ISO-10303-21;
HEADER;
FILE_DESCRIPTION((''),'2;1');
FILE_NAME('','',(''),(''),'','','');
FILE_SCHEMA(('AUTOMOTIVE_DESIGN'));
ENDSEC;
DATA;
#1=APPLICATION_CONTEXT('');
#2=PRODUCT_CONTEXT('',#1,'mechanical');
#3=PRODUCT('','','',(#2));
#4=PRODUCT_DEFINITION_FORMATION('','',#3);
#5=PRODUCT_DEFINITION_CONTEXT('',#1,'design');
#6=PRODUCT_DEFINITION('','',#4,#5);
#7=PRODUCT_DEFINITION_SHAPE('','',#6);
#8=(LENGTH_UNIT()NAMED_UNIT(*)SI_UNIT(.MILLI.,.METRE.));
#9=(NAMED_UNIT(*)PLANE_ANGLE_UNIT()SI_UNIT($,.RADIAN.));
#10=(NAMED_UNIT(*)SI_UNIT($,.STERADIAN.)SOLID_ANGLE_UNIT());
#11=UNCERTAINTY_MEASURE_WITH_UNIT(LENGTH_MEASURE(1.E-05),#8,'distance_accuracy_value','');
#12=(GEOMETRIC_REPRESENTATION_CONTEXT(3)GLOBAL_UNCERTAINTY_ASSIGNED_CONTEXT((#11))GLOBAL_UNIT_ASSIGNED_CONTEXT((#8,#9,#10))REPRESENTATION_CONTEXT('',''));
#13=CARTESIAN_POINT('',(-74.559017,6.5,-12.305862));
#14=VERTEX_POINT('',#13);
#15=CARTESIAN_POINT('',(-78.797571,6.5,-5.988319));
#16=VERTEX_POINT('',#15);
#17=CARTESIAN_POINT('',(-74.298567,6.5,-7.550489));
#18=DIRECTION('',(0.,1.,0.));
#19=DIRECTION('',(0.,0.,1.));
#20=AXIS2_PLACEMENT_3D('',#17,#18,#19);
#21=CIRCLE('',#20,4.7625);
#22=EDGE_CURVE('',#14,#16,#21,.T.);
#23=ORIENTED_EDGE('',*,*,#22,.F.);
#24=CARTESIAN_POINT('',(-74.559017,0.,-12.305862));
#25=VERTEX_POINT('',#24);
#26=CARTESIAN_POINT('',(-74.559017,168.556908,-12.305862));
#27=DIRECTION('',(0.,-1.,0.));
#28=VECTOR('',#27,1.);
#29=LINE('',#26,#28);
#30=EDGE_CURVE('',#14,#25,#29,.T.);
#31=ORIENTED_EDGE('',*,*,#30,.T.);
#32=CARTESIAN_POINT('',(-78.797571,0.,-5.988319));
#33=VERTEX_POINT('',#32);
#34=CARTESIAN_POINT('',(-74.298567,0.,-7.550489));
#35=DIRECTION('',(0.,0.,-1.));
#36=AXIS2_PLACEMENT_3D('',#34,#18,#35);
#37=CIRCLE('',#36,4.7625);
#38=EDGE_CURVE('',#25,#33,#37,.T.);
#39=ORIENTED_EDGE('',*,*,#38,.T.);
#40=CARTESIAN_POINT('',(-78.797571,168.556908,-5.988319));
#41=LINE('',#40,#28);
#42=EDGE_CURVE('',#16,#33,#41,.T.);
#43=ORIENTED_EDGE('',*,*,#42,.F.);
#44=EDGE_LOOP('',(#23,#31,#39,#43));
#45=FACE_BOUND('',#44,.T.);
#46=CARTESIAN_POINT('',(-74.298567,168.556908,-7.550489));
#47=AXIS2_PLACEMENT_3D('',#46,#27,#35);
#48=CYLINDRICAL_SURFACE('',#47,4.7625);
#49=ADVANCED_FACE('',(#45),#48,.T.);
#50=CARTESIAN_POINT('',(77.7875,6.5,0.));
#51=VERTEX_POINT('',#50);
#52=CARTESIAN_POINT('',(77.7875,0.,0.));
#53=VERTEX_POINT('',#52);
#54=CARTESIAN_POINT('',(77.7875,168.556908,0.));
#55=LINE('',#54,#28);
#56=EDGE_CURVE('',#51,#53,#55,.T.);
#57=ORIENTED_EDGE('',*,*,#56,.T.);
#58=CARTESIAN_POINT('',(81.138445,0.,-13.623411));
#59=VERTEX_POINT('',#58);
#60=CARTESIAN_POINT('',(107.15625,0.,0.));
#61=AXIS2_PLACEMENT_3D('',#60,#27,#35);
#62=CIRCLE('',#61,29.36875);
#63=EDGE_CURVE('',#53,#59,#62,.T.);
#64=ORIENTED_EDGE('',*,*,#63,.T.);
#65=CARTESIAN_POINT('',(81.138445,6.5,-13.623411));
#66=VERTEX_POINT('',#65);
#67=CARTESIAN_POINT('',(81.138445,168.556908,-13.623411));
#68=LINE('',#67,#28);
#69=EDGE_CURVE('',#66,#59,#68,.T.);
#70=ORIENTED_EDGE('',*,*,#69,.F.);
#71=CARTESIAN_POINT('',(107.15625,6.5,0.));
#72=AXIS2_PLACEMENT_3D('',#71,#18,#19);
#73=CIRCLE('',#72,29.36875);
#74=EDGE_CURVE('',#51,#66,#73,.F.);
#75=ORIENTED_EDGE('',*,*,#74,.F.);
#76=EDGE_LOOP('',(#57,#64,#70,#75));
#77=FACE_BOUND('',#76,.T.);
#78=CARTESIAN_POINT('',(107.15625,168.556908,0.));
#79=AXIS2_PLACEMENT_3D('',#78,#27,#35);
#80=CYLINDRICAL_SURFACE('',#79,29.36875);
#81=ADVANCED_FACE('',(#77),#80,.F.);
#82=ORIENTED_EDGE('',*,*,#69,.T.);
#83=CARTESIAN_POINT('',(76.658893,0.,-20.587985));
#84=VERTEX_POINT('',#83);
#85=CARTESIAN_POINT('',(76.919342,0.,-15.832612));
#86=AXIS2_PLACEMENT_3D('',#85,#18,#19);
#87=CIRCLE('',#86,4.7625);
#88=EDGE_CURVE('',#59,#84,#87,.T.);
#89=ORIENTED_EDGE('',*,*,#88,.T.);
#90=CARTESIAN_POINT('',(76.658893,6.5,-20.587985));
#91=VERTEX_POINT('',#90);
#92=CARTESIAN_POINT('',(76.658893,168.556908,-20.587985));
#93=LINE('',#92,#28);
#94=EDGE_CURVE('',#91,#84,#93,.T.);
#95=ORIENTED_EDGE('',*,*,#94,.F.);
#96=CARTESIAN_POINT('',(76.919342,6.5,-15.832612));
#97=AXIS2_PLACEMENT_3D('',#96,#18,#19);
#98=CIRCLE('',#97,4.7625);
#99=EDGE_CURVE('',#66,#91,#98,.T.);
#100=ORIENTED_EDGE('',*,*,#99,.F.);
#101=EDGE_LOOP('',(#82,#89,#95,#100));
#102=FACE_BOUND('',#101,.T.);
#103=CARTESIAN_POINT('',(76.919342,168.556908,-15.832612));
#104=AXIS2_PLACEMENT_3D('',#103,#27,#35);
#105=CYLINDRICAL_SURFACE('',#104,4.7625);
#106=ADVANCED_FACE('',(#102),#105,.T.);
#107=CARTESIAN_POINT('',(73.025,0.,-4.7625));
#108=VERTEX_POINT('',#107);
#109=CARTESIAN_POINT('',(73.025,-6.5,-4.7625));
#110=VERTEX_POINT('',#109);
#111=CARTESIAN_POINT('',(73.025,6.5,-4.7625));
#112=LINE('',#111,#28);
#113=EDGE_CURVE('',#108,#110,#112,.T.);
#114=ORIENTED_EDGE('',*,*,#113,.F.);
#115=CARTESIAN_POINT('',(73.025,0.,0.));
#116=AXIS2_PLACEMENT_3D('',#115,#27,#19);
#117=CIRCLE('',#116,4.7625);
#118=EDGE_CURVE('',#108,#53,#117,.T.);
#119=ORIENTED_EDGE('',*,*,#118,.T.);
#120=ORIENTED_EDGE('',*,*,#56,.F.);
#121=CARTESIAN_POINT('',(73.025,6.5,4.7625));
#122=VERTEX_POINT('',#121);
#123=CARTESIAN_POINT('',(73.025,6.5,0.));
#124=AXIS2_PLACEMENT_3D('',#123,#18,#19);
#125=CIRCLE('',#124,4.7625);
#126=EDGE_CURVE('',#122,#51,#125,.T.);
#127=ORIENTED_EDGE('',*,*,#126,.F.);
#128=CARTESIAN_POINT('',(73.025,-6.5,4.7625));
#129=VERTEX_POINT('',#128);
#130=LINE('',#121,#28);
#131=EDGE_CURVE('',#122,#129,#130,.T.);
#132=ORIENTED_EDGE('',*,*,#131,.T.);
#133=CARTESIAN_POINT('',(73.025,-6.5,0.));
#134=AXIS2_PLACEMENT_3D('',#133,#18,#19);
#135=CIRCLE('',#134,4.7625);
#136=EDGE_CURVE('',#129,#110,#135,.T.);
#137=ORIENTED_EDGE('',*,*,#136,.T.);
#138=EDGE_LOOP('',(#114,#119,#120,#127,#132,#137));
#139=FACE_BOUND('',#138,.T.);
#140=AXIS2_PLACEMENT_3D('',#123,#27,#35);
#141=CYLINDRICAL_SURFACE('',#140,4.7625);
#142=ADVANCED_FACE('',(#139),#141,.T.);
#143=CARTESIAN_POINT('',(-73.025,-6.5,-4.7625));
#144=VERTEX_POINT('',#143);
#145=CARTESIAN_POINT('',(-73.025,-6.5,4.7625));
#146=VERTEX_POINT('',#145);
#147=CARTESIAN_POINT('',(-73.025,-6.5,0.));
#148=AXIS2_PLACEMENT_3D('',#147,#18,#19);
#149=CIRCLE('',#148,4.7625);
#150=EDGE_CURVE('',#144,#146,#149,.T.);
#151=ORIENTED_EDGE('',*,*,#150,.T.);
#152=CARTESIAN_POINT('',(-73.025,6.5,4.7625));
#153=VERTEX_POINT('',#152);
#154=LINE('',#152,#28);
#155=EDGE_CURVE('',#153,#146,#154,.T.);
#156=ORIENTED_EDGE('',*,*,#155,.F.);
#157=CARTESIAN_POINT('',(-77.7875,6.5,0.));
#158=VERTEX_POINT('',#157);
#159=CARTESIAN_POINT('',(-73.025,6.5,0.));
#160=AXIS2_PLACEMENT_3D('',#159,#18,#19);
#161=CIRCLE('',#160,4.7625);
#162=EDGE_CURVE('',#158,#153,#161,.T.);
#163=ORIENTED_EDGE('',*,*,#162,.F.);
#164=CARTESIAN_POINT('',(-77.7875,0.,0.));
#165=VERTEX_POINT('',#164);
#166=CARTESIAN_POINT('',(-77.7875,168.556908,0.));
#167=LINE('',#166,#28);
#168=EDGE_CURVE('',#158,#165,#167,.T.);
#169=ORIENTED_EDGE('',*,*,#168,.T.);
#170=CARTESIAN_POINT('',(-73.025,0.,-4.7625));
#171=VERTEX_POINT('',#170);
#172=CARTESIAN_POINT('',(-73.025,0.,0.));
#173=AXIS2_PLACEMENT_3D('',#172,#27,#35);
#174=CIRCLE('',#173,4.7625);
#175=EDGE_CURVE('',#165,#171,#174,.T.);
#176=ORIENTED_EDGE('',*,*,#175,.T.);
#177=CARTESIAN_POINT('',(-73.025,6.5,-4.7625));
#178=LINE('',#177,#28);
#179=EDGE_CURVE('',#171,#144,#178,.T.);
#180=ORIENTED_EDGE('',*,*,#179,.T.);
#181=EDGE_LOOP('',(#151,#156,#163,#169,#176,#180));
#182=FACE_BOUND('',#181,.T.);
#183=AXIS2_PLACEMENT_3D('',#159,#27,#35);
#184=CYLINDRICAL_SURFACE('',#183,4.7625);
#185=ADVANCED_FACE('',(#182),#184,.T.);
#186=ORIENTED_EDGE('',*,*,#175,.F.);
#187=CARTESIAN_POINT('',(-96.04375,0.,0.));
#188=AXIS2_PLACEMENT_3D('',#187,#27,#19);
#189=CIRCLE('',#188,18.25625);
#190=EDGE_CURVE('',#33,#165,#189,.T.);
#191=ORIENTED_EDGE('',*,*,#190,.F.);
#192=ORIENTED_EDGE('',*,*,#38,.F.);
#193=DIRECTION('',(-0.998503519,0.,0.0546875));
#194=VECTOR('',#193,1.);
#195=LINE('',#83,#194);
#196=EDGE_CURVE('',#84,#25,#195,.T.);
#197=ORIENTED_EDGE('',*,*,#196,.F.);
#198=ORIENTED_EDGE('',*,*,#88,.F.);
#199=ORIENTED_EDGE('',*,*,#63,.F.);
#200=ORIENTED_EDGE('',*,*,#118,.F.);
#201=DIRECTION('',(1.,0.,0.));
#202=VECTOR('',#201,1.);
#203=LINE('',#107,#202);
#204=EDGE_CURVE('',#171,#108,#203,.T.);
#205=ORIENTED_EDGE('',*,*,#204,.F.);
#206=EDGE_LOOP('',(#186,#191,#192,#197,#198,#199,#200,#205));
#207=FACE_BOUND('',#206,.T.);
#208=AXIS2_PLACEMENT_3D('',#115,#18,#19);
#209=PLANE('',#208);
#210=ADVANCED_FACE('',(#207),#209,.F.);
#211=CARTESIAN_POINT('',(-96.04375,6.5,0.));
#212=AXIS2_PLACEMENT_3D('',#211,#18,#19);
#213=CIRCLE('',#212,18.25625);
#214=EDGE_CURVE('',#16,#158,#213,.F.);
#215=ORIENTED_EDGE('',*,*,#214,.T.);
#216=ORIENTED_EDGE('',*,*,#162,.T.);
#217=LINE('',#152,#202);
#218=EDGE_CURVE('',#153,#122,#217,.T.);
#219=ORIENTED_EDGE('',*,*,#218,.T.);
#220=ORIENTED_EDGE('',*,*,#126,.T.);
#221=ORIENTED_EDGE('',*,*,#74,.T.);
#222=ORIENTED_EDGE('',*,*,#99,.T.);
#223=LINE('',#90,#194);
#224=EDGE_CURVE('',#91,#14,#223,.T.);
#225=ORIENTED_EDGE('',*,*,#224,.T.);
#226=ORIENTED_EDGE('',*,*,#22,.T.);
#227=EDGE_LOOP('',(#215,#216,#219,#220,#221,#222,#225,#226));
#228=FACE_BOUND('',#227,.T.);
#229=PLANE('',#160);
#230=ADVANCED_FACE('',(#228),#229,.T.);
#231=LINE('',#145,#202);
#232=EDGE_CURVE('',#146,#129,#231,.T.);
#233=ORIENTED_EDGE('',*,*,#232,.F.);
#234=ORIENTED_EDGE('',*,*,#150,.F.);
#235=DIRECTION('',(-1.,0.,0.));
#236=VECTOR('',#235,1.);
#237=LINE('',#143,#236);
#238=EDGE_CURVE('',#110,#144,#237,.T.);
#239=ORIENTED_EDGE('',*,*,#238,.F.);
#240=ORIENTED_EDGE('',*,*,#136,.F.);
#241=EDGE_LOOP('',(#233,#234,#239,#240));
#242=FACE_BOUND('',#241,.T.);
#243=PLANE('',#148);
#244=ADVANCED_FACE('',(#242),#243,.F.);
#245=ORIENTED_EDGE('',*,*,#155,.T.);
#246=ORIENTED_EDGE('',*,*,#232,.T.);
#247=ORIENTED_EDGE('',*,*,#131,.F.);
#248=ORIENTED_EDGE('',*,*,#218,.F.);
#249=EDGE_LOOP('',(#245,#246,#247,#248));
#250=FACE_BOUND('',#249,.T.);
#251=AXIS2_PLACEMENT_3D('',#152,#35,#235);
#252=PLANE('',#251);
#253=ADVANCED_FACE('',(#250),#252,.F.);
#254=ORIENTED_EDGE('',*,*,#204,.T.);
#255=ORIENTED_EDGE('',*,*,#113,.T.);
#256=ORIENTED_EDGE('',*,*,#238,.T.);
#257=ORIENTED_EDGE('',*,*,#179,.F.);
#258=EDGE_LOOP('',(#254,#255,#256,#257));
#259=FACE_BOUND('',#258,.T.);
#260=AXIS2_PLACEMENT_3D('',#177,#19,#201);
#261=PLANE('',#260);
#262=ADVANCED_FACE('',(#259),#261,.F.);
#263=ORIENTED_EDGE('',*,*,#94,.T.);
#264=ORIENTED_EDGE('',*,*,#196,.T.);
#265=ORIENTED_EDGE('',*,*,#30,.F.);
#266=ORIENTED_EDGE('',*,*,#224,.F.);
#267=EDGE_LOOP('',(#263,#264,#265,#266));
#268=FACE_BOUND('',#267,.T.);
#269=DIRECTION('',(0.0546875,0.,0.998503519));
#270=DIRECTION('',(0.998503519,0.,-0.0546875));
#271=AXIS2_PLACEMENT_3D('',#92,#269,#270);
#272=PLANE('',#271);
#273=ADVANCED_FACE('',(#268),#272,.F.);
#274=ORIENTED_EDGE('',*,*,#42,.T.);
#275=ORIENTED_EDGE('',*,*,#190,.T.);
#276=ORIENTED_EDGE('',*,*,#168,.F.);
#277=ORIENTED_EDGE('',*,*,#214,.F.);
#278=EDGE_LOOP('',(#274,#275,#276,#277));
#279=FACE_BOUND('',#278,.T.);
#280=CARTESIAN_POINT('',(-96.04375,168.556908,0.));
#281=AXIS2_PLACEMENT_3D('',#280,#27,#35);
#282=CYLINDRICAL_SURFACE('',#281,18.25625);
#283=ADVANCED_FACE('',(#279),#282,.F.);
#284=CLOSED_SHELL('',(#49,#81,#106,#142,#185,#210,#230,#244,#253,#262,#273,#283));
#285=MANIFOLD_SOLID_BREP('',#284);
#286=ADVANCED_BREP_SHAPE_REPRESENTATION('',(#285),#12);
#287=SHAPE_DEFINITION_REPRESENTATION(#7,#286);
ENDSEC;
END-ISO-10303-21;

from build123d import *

# Parameters (mm, degrees)
BOSS_EXTRUDE1_DEPTH = 6.499999954
BOSS_EXTRUDE2_DEPTH = 6.5


with BuildPart() as part:
    # Sketch1 → Boss-Extrude1 (new body, symmetric)
    with BuildSketch(Plane(origin=(0, 0, 0), x_dir=(1, 0, 0), z_dir=(0, 1, 0))):
        with BuildLine():
            Line((-73.025, 4.7625), (73.025, 4.7625))
            ThreePointArc((73.025, 4.7625), (77.7875, 0), (73.025, -4.7625))
            Line((73.025, -4.7625), (-73.025, -4.7625))
            ThreePointArc((-73.025, -4.7625), (-77.7875, 0), (-73.025, 4.7625))
        make_face()
    extrude(amount=BOSS_EXTRUDE1_DEPTH, both=True)

    # Sketch3 → Boss-Extrude2 (add)
    with BuildSketch(Plane(origin=(0, 0, 0), x_dir=(1, 0, 0), z_dir=(0, 1, 0))):
        with BuildLine():
            Line((76.658892628, 20.587985299), (-74.559016538, 12.30586185))
            ThreePointArc((-74.559016538, 12.30586185), (-78.253429498, 10.203877505), (-78.797570633, 5.988318736))
            ThreePointArc((-78.797570633, 5.988318736), (-78.041788633, 3.036453687), (-77.7875, 0))
            ThreePointArc((-77.7875, 0), (-76.392596045, 3.367596045), (-73.025, 4.7625))
            Line((-73.025, 4.7625), (73.025, 4.7625))
            ThreePointArc((73.025, 4.7625), (76.392596045, 3.367596045), (77.7875, 0))
            ThreePointArc((77.7875, 0), (78.637537914, 7.014737168), (81.13844531, 13.623410575))
            ThreePointArc((81.13844531, 13.623410575), (80.924845702, 18.408916837), (76.658892628, 20.587985299))
        make_face()
    extrude(amount=BOSS_EXTRUDE2_DEPTH)


solid = part.part
